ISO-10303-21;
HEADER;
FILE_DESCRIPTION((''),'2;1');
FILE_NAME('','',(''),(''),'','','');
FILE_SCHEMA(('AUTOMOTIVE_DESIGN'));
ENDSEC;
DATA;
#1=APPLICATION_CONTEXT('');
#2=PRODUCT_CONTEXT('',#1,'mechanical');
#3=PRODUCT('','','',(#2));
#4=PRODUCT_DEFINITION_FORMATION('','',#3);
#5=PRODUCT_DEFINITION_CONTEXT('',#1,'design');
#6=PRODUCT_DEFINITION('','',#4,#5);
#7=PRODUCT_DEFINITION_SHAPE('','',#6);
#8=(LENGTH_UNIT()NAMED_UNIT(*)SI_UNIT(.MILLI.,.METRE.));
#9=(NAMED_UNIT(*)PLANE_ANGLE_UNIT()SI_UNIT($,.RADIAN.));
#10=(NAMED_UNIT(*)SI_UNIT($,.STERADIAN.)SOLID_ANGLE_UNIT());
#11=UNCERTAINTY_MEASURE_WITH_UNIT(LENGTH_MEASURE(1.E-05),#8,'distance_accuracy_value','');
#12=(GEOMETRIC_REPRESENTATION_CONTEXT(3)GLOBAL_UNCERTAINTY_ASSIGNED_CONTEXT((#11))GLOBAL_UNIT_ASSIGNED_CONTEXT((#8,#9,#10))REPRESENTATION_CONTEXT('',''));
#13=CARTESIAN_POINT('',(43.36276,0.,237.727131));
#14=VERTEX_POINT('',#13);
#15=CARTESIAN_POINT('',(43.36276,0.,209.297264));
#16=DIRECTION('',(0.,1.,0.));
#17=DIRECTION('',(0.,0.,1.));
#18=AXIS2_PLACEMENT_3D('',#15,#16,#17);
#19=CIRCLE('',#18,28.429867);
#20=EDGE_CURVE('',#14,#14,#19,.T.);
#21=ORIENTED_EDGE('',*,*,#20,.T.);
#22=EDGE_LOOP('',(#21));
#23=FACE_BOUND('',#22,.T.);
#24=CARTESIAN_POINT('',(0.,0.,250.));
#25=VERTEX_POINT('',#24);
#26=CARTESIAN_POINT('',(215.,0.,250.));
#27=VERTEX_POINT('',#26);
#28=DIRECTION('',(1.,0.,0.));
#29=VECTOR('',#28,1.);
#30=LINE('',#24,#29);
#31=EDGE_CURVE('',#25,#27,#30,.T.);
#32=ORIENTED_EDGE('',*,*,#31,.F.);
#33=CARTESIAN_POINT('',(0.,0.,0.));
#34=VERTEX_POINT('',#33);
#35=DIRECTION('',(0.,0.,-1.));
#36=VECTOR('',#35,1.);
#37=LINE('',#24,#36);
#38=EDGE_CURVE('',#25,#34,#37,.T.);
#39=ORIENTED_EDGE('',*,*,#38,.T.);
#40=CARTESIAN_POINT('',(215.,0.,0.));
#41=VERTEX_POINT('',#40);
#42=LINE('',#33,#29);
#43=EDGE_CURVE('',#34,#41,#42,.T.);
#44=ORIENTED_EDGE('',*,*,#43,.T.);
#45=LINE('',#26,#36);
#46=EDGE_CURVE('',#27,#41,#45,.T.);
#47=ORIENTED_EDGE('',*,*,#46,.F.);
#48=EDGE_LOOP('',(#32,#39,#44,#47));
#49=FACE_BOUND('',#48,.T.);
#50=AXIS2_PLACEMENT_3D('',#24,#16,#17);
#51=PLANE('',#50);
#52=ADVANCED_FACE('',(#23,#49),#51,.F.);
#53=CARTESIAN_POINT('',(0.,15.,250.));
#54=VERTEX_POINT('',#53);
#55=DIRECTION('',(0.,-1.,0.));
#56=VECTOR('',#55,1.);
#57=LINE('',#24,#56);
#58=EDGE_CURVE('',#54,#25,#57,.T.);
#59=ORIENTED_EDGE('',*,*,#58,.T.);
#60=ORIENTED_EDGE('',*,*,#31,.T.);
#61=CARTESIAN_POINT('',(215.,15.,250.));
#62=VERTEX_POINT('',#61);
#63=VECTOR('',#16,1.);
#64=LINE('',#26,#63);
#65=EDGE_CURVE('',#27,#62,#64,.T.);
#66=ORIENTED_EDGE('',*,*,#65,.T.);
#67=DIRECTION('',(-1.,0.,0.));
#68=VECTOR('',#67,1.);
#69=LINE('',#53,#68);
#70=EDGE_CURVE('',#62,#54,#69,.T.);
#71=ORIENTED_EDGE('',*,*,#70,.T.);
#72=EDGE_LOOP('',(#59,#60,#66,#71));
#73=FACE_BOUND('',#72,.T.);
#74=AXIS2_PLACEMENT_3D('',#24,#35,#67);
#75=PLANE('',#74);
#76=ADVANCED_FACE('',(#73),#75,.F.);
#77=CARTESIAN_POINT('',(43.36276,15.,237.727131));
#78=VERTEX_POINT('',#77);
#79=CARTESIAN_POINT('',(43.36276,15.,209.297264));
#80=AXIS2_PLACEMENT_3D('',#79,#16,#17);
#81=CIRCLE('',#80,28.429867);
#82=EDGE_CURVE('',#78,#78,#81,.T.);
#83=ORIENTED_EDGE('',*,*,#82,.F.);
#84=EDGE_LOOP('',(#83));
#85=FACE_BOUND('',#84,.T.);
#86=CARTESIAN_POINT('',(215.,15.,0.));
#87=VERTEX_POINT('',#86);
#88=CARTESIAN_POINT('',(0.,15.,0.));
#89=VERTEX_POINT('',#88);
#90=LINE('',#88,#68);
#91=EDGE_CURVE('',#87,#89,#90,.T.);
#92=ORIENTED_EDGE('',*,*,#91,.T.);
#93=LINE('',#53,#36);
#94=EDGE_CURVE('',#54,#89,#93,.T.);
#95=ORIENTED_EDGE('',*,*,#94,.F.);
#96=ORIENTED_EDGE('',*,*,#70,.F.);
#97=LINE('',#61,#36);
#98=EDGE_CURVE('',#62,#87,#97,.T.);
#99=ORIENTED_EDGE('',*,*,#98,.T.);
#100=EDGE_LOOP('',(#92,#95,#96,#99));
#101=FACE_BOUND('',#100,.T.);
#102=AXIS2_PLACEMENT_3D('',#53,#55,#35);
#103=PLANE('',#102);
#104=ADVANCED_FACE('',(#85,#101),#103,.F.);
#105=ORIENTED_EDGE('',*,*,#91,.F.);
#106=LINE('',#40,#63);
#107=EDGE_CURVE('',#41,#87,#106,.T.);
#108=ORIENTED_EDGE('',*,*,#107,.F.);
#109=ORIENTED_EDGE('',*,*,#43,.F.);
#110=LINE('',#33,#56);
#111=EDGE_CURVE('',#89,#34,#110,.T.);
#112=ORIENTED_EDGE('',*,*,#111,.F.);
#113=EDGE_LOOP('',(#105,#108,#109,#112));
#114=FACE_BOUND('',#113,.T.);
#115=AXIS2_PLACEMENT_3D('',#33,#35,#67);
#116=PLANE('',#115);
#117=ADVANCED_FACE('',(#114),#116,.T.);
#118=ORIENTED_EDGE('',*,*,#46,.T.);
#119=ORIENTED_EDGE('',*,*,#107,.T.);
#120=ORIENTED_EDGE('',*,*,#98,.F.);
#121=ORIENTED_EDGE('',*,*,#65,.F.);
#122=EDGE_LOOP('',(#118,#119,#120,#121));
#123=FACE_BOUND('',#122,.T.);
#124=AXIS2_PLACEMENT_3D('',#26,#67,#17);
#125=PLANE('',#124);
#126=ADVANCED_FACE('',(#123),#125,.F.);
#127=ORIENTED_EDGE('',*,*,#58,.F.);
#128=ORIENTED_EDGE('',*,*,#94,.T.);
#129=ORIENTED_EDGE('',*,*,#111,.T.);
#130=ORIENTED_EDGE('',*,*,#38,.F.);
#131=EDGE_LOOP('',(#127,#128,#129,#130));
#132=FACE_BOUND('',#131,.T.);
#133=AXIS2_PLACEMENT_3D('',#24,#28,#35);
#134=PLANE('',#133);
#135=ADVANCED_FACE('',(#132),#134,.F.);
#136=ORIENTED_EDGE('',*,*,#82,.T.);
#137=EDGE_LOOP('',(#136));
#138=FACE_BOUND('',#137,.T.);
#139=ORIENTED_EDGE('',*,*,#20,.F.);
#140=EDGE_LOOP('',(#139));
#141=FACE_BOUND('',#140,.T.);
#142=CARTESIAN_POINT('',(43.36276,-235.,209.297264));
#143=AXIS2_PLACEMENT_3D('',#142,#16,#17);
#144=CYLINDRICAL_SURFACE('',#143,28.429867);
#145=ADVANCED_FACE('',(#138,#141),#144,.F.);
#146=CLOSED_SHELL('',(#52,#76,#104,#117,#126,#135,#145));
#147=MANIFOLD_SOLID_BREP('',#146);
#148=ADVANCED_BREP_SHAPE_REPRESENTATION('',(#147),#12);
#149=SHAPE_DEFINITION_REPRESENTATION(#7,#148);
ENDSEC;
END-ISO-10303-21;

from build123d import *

# Parameters (mm, degrees)
ESQUISSE3_W             = 215
ESQUISSE3_H             = 15
BOSS_EXTRU_2_DEPTH      = 250
ESQUISSE4_R             = 28.429866642
ENL_V_MAT_EXTRU_1_DEPTH = 250


with BuildPart() as part:
    # Esquisse3 → Boss.-Extru.2 (new body)
    with BuildSketch(Plane.XY):
        with Locations((107.5, 7.5)):
            Rectangle(ESQUISSE3_W, ESQUISSE3_H)
    extrude(amount=BOSS_EXTRU_2_DEPTH)

    # Esquisse4 → Enlèv. mat.-Extru.1 (cut)
    with BuildSketch(Plane(origin=(0, 15, 0), x_dir=(1, 0, 0), z_dir=(0, 1, 0))):
        with Locations(Location((43.362759914, -209.297264429, 0), (0, 0, 270))):
            Circle(ESQUISSE4_R)
    extrude(amount=-ENL_V_MAT_EXTRU_1_DEPTH, mode=Mode.SUBTRACT)


solid = part.part
